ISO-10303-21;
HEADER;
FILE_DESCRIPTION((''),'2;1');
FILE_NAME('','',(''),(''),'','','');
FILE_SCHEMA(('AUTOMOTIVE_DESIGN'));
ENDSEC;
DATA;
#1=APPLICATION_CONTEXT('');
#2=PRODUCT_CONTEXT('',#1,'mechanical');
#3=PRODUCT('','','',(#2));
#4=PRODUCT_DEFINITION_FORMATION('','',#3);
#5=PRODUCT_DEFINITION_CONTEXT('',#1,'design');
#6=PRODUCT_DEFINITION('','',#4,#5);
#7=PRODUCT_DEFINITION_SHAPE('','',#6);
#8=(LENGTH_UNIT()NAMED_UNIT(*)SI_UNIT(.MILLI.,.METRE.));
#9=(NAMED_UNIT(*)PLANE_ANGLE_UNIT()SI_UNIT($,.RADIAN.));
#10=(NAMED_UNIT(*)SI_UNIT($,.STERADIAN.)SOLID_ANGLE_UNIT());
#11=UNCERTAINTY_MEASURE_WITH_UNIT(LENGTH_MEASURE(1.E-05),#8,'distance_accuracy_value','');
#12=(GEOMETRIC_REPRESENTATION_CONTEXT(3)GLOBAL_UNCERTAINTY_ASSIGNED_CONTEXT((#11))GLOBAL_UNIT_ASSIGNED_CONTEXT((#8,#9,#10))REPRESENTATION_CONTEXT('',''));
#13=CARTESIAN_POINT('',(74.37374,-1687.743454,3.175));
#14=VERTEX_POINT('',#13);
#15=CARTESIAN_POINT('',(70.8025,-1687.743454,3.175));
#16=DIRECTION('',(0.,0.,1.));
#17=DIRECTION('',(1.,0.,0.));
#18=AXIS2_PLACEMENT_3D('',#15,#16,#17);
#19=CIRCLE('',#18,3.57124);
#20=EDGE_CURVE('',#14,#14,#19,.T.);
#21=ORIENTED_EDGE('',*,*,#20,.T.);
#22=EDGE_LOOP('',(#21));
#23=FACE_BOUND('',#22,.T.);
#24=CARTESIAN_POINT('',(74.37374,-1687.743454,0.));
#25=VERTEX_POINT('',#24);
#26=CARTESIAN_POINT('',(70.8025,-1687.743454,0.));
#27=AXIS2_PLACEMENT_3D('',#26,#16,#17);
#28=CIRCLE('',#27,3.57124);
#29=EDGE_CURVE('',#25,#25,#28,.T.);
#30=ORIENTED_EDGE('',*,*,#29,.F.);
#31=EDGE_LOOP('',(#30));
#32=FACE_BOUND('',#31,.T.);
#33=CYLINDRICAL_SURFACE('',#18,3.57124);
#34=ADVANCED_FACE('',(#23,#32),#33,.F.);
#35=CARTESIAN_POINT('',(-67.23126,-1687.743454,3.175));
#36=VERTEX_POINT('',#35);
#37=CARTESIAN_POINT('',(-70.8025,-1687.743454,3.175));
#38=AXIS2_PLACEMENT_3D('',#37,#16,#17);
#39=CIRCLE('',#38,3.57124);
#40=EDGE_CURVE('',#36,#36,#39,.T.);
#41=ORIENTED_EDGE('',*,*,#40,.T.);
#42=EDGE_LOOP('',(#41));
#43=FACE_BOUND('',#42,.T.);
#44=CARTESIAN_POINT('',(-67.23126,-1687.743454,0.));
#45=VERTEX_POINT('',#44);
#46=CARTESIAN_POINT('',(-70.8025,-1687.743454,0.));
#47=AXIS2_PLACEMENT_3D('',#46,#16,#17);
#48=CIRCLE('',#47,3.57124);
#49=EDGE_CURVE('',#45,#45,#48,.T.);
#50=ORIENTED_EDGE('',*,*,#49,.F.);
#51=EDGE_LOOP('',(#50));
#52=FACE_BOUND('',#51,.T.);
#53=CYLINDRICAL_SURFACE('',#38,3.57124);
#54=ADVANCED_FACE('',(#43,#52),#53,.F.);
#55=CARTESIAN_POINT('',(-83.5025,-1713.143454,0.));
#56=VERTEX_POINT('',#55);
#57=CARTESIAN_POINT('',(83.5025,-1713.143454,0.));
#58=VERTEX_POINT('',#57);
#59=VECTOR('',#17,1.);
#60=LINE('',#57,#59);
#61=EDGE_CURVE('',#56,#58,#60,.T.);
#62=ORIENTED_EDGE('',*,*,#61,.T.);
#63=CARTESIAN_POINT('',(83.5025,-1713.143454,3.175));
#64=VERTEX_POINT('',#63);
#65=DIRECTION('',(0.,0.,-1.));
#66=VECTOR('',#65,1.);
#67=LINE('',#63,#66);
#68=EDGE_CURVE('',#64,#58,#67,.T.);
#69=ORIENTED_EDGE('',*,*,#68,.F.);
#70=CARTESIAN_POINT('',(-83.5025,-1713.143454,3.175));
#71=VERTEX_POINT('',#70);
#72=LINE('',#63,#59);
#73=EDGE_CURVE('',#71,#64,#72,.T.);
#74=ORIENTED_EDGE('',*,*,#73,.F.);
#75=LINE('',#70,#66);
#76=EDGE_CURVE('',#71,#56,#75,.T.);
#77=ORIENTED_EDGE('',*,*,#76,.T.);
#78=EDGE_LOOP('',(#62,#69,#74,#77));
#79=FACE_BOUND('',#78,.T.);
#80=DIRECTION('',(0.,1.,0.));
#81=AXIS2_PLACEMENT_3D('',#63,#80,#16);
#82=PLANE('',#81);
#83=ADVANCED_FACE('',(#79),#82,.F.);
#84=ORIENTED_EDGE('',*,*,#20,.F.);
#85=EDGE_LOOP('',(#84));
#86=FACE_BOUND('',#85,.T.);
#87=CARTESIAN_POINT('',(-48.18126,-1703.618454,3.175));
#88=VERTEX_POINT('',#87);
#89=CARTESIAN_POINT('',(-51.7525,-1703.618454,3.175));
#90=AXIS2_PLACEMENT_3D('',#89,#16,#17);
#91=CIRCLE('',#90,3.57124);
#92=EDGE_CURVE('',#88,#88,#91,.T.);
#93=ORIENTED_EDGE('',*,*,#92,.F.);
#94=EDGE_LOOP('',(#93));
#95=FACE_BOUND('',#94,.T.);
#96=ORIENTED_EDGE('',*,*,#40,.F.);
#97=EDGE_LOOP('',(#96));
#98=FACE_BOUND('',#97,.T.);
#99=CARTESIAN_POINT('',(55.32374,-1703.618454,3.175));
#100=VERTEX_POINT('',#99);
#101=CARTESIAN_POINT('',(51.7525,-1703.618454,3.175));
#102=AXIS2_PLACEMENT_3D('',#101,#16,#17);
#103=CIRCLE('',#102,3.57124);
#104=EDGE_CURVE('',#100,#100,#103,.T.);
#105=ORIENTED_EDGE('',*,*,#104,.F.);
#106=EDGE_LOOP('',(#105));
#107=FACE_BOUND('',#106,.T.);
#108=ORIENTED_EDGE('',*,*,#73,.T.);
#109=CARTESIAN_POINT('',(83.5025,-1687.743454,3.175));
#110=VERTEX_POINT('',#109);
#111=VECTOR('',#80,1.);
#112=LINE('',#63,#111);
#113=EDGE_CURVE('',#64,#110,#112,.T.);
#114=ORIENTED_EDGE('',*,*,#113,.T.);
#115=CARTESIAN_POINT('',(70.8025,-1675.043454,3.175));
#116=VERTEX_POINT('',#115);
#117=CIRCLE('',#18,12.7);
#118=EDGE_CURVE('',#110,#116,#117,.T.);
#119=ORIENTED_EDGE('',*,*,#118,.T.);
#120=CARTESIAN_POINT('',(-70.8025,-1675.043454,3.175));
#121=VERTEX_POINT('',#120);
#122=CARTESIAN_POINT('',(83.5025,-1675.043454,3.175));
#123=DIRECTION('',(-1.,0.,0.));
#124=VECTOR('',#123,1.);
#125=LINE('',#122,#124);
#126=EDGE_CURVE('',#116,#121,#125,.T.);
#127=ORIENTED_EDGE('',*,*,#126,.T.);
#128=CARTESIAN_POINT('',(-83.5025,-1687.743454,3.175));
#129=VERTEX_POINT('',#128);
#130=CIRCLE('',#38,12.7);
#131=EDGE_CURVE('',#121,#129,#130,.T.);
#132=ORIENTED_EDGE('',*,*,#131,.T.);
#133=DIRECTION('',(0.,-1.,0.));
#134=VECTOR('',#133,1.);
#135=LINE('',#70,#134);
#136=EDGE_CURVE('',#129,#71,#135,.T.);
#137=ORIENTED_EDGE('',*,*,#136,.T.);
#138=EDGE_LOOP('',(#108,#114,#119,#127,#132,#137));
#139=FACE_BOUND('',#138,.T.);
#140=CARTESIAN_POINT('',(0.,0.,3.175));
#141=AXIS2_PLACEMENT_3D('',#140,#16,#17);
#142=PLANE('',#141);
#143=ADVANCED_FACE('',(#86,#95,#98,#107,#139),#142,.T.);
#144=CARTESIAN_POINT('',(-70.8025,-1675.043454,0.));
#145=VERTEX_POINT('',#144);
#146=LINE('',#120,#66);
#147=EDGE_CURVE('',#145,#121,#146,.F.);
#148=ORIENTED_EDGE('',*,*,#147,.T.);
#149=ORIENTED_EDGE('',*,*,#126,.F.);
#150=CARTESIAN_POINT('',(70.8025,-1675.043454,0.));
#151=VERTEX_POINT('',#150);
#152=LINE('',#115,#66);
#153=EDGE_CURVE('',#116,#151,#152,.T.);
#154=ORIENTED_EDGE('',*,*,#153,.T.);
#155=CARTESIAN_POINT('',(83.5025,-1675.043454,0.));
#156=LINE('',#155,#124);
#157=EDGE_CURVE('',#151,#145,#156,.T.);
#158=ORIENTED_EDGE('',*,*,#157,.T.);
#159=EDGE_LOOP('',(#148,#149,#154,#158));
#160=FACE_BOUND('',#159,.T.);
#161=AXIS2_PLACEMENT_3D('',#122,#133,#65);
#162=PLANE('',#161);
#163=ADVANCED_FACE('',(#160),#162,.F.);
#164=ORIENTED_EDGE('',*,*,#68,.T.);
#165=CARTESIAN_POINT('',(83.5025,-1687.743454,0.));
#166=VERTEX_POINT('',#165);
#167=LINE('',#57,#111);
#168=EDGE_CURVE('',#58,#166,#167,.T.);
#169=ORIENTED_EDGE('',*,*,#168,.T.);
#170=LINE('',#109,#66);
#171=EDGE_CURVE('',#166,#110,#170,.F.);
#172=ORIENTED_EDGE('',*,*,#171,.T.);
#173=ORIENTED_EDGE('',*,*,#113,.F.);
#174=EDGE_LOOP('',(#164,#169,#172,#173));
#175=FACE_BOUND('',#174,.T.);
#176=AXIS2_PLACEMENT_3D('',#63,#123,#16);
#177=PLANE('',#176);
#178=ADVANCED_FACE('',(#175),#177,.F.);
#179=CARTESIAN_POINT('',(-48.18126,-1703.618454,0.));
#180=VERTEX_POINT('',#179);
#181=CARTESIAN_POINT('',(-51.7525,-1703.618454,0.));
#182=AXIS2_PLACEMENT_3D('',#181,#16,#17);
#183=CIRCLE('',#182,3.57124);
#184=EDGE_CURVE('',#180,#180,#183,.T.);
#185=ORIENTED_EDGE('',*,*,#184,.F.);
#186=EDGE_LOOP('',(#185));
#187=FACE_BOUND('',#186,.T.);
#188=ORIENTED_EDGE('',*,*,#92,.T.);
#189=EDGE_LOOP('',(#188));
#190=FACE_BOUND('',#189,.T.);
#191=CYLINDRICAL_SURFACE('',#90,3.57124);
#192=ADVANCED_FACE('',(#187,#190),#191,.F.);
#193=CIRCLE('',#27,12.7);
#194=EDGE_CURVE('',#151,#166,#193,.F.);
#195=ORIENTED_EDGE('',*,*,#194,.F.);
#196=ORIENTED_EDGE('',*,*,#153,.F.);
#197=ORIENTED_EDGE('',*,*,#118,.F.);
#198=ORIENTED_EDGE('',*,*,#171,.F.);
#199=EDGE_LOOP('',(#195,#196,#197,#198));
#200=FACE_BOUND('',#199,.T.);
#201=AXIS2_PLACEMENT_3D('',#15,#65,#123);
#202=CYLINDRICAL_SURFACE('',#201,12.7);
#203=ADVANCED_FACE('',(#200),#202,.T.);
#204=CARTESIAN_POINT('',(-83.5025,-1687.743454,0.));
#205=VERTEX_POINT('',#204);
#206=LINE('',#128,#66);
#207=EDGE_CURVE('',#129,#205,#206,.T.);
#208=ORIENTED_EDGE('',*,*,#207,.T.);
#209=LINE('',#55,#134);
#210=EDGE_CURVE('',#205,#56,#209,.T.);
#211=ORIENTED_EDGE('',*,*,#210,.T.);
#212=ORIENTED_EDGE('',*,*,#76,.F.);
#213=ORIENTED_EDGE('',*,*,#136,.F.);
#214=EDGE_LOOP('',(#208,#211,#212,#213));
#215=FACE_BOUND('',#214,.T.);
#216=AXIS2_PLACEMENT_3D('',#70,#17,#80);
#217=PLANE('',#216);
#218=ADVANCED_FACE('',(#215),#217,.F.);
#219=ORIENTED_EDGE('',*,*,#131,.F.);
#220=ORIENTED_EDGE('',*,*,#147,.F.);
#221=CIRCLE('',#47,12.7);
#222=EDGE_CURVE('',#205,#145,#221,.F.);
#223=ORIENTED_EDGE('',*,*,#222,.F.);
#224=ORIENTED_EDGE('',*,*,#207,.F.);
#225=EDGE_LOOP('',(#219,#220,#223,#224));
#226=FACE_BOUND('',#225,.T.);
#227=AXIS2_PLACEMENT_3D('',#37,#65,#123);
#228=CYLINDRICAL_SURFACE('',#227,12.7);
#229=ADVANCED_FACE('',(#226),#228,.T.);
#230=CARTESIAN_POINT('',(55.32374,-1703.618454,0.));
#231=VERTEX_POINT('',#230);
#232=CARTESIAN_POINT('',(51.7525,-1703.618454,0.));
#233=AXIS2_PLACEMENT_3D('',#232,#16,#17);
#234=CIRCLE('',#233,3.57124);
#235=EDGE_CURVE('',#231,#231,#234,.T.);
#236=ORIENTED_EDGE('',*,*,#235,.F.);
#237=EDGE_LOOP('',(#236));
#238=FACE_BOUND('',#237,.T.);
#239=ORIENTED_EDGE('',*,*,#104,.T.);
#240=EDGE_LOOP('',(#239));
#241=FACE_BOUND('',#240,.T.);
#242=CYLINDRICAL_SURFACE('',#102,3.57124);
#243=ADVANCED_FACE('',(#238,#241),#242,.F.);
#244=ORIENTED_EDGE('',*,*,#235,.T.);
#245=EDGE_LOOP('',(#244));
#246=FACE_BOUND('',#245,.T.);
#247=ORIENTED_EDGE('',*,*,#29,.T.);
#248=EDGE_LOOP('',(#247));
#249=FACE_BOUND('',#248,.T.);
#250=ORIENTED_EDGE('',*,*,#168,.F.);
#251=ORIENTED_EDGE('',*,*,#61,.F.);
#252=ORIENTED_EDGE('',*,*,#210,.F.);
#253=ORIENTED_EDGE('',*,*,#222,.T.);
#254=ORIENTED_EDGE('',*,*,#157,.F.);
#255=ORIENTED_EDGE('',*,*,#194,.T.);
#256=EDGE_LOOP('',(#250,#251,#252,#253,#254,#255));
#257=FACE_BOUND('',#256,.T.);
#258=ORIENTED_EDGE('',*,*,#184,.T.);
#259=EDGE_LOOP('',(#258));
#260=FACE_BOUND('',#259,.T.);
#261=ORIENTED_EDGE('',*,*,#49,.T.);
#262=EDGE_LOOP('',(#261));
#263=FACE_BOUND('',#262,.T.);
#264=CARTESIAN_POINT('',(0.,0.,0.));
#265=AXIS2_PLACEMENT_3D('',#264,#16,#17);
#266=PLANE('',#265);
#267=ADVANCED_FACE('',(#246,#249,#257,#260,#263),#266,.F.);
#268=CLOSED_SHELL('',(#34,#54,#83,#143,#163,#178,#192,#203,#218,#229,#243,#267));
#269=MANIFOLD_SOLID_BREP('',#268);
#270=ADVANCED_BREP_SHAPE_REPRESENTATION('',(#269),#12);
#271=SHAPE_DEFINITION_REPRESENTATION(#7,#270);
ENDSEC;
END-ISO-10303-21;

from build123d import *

# Parameters (mm, degrees)
SKETCH1_W                   = 167.005
SKETCH1_H                   = 38.1
BOSS_EXTRUDE1_DEPTH         = 3.175
FILLET1_R                   = 12.7
F_1_4_CLEARANCE_HOLE1_D     = 7.14248
F_1_4_CLEARANCE_HOLE1_DEPTH = 3.175


with BuildPart() as part:
    # Sketch1 → Boss-Extrude1 (new body)
    with BuildSketch(Plane.XY):
        with Locations((0, -1694.09345438)):
            Rectangle(SKETCH1_W, SKETCH1_H)
    extrude(amount=BOSS_EXTRUDE1_DEPTH)

    # Fillet1
    fillet1_edges = [part.edges().sort_by_distance(p)[0] for p in [
        (-83.5025, -1675.04345438, 1.5875),
        (83.5025, -1675.04345438, 1.5875),
    ]]
    fillet(fillet1_edges, radius=FILLET1_R)

    # 1/4 Clearance Hole1
    with Locations(Plane.XY.offset(3.175)):
        with Locations((-70.8025, -1687.74345438), (70.8025, -1687.74345438), (51.7525, -1703.61845438), (-51.7525, -1703.61845438)):
            Hole(F_1_4_CLEARANCE_HOLE1_D / 2, depth=F_1_4_CLEARANCE_HOLE1_DEPTH)


solid = part.part
